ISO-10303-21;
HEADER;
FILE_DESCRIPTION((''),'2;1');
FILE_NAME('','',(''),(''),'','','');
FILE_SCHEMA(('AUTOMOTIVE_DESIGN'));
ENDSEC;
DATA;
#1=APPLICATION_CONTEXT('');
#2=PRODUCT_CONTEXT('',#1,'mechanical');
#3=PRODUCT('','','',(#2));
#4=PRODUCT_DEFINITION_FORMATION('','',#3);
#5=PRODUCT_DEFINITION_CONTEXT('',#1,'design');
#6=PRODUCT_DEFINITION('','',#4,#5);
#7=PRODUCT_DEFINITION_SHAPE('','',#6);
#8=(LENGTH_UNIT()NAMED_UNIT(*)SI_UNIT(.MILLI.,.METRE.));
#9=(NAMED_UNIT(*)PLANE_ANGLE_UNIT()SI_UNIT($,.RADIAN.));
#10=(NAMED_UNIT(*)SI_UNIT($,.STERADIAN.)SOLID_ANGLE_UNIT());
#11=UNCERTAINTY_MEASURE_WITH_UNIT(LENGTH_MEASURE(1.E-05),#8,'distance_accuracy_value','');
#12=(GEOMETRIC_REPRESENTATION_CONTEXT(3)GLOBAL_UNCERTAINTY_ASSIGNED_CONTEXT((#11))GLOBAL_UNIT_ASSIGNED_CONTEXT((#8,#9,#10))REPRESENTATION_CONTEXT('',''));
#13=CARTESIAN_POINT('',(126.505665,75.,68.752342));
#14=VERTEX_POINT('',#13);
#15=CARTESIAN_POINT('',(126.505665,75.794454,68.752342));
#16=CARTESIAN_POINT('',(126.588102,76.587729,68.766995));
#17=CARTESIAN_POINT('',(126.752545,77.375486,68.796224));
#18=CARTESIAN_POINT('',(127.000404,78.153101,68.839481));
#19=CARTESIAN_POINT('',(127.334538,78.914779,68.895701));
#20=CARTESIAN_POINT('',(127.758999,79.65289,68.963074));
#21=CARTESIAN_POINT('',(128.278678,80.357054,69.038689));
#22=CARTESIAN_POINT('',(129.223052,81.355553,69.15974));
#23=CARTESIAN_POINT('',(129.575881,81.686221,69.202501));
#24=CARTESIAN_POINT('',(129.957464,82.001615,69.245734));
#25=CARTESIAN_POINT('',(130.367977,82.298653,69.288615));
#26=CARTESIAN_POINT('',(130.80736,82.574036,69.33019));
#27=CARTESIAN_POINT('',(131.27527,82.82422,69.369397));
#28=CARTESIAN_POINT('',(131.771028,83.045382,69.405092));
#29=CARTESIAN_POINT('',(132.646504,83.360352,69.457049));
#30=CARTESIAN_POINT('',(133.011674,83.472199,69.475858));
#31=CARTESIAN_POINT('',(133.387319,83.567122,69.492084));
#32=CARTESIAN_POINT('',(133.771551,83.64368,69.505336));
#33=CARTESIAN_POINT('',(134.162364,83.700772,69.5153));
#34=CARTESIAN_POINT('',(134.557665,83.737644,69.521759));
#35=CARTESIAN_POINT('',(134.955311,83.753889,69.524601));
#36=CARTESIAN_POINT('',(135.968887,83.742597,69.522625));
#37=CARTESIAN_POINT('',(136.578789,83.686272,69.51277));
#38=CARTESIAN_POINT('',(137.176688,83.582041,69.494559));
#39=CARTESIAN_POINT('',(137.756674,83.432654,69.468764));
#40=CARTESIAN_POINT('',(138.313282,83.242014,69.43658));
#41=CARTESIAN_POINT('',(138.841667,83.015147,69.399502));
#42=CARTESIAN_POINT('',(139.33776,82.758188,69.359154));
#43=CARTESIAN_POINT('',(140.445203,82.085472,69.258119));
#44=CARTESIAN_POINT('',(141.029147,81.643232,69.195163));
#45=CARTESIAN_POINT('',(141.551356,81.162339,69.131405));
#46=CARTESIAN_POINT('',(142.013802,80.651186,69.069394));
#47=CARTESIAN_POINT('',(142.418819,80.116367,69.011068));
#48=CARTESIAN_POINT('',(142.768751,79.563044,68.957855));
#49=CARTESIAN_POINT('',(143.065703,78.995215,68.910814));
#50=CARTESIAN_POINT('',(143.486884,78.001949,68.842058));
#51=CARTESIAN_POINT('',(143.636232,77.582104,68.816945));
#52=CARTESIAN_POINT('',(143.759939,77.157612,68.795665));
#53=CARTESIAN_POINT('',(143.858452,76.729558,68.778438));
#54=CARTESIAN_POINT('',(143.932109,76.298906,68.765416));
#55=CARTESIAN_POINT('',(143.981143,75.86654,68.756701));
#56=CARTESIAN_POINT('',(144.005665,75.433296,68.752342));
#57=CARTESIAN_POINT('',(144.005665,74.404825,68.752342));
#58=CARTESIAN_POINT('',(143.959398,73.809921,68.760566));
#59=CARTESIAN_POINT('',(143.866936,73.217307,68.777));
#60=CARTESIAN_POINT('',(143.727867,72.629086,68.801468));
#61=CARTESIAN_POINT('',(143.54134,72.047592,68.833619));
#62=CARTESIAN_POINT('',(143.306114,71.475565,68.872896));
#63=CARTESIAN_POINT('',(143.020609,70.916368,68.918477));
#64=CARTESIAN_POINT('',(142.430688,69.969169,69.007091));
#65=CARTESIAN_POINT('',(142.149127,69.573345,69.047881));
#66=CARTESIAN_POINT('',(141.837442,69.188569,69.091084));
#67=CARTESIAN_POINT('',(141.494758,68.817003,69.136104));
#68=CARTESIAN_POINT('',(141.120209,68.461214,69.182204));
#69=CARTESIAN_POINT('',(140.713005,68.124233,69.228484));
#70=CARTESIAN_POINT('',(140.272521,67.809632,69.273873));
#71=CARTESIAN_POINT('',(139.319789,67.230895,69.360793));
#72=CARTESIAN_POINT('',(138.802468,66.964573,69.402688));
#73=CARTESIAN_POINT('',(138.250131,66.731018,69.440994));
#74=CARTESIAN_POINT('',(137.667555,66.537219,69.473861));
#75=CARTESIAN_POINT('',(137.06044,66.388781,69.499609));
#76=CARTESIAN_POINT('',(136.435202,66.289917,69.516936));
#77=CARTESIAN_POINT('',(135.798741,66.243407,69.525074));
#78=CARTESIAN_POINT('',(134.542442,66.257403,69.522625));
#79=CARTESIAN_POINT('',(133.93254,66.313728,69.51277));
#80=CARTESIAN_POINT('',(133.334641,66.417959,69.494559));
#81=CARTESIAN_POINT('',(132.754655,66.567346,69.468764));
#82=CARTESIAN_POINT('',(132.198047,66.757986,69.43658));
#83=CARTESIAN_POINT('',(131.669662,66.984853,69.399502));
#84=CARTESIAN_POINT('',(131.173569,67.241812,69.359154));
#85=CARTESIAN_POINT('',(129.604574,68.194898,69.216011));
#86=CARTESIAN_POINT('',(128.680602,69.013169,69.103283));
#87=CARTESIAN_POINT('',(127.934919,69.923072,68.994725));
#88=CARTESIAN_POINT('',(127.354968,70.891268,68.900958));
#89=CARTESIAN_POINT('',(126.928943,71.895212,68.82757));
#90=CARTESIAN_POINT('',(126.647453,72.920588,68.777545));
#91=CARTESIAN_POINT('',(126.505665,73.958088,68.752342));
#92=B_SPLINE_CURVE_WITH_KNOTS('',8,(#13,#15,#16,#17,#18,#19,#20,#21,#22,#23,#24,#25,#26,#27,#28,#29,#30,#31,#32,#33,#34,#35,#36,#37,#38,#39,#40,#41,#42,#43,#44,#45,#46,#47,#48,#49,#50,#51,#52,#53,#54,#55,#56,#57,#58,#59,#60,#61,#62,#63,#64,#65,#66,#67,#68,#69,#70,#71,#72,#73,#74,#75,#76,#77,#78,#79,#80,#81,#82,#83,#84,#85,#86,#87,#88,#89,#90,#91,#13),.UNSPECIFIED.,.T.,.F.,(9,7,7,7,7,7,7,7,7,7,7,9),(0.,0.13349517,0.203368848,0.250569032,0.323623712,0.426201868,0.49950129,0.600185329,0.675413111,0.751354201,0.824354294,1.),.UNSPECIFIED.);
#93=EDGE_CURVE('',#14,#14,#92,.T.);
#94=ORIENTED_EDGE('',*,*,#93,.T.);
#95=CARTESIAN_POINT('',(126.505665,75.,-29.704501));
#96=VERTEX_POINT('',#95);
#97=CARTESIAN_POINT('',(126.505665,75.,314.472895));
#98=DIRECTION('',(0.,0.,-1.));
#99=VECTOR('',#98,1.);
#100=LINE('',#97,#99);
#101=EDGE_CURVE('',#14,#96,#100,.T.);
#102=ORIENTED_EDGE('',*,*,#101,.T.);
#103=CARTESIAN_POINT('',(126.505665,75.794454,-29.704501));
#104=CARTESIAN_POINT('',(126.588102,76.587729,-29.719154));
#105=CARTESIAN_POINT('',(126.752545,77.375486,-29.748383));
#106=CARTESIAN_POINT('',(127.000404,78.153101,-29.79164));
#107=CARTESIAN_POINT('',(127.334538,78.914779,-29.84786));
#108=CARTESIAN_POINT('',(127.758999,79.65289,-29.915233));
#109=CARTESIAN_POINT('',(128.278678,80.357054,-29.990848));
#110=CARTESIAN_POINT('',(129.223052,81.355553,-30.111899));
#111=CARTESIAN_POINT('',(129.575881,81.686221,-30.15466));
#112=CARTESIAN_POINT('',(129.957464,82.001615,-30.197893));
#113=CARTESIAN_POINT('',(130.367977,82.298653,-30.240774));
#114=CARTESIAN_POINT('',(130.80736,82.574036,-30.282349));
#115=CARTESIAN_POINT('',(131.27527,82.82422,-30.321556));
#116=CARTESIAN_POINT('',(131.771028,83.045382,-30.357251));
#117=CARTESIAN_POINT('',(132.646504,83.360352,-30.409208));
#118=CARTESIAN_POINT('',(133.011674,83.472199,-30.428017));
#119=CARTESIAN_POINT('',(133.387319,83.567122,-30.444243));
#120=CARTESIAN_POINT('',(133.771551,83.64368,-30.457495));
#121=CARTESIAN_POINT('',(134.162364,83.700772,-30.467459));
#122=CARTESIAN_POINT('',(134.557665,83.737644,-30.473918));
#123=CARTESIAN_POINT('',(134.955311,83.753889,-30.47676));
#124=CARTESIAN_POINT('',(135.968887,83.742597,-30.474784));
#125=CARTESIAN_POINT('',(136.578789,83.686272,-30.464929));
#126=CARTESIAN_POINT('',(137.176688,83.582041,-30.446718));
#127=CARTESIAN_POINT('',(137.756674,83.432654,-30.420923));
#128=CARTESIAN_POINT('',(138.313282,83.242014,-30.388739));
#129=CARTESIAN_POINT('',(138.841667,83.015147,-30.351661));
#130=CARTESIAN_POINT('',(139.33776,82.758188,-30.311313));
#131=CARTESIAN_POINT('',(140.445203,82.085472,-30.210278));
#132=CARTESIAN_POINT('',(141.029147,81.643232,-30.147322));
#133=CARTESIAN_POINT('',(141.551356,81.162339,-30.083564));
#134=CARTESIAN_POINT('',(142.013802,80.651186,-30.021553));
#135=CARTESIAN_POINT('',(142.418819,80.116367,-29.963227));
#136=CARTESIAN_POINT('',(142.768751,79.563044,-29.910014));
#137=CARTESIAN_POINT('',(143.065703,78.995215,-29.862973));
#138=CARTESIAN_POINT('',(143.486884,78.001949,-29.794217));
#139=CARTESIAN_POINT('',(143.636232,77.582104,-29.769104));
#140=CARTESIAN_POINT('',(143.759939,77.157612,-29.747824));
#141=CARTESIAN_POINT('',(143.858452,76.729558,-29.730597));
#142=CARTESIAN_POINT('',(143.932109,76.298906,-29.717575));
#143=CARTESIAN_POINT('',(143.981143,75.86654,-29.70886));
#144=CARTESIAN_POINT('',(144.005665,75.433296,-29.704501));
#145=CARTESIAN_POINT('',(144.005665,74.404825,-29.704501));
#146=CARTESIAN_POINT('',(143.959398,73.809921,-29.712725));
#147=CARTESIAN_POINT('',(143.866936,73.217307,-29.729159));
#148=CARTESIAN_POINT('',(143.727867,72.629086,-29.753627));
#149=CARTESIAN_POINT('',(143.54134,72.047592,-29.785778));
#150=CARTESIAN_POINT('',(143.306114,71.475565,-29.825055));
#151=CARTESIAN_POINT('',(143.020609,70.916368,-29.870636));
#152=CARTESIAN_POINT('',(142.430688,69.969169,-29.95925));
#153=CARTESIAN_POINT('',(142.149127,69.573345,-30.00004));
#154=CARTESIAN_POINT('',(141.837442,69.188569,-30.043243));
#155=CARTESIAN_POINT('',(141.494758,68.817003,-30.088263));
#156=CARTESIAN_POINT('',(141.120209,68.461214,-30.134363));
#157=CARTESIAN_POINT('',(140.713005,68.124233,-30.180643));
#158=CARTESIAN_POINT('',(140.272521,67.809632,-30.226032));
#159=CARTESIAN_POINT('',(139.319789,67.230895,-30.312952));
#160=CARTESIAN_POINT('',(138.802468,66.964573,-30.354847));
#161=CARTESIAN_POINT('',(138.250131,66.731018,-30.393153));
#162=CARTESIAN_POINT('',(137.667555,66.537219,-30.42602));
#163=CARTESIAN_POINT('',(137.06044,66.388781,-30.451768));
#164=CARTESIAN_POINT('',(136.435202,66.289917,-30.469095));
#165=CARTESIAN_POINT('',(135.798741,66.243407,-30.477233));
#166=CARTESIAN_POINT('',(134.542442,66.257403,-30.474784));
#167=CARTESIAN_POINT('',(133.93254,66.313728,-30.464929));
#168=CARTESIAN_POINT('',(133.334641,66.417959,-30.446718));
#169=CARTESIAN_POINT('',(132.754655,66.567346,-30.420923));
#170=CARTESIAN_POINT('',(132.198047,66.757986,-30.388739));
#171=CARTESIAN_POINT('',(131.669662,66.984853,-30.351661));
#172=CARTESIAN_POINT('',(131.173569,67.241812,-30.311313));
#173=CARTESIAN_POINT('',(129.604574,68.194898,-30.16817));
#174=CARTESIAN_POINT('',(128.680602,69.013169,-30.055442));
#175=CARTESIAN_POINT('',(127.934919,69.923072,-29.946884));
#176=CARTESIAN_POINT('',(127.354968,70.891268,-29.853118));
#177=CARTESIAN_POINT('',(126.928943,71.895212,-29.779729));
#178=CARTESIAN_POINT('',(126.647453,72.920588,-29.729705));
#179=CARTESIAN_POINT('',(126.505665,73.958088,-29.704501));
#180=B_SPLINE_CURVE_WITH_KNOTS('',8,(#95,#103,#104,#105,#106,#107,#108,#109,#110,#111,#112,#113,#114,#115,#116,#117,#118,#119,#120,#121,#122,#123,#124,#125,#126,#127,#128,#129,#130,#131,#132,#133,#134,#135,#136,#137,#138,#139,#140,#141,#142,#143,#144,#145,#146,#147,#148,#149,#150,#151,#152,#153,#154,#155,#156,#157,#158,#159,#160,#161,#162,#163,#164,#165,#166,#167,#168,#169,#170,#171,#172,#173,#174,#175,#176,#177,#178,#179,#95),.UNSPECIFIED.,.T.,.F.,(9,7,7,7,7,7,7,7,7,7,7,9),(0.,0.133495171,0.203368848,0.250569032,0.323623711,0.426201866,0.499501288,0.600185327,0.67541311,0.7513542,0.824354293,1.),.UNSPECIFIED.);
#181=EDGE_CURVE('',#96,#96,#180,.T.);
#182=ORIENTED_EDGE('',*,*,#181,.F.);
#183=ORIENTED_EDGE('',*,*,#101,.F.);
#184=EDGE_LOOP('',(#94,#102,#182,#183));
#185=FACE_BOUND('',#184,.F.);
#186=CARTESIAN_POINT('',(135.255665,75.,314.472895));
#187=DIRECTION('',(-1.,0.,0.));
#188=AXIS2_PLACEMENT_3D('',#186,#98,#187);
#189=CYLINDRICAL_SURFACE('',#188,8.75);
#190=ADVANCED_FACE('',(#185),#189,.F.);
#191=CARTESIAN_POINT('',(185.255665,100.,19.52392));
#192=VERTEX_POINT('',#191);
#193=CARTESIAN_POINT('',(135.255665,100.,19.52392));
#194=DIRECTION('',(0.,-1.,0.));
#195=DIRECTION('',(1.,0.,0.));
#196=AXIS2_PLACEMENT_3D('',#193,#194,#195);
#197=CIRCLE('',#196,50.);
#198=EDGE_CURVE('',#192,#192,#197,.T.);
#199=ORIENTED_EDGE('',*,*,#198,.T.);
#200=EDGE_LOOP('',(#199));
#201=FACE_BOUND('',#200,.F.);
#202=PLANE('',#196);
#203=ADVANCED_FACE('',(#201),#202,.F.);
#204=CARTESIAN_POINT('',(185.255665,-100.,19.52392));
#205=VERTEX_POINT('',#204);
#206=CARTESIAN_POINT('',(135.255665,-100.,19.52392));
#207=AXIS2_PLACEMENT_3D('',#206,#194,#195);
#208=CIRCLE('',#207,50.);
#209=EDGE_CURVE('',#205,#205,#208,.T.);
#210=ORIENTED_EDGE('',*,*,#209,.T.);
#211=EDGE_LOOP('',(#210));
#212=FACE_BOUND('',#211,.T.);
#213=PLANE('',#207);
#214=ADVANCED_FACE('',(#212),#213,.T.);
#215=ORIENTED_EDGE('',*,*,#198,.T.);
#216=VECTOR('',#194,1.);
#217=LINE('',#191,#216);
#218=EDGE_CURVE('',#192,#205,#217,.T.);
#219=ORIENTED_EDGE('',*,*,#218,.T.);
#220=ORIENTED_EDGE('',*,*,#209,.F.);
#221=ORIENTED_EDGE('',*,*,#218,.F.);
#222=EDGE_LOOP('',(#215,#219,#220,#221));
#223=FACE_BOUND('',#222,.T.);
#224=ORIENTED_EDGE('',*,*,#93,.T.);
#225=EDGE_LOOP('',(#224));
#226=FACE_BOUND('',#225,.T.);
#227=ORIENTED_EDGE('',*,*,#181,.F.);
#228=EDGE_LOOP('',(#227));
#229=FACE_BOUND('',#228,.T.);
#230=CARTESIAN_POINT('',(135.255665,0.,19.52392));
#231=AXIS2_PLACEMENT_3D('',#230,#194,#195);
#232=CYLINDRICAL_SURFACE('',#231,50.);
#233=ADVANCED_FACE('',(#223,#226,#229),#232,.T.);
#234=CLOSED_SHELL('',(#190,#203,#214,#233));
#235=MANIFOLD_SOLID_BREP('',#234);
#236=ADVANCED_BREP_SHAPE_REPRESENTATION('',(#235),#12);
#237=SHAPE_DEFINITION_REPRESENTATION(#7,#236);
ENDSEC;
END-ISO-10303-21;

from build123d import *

# Parameters (mm, degrees)
F0_R     = 50
F1_DEPTH = 100
F6_D     = 17.5


with BuildPart() as f1:
    # F0 (on Front) → F1 (new body, symmetric)
    with BuildSketch(Plane.XZ):
        with Locations((135.255664587, 19.5239204913)):
            Circle(F0_R)
    extrude(amount=F1_DEPTH, both=True)

    # F6 (through all)
    with Locations(Plane.XY.offset(69.5239204913)):
        with Locations((135.255664587, 75)):
            Hole(F6_D / 2)


solid = f1.part
